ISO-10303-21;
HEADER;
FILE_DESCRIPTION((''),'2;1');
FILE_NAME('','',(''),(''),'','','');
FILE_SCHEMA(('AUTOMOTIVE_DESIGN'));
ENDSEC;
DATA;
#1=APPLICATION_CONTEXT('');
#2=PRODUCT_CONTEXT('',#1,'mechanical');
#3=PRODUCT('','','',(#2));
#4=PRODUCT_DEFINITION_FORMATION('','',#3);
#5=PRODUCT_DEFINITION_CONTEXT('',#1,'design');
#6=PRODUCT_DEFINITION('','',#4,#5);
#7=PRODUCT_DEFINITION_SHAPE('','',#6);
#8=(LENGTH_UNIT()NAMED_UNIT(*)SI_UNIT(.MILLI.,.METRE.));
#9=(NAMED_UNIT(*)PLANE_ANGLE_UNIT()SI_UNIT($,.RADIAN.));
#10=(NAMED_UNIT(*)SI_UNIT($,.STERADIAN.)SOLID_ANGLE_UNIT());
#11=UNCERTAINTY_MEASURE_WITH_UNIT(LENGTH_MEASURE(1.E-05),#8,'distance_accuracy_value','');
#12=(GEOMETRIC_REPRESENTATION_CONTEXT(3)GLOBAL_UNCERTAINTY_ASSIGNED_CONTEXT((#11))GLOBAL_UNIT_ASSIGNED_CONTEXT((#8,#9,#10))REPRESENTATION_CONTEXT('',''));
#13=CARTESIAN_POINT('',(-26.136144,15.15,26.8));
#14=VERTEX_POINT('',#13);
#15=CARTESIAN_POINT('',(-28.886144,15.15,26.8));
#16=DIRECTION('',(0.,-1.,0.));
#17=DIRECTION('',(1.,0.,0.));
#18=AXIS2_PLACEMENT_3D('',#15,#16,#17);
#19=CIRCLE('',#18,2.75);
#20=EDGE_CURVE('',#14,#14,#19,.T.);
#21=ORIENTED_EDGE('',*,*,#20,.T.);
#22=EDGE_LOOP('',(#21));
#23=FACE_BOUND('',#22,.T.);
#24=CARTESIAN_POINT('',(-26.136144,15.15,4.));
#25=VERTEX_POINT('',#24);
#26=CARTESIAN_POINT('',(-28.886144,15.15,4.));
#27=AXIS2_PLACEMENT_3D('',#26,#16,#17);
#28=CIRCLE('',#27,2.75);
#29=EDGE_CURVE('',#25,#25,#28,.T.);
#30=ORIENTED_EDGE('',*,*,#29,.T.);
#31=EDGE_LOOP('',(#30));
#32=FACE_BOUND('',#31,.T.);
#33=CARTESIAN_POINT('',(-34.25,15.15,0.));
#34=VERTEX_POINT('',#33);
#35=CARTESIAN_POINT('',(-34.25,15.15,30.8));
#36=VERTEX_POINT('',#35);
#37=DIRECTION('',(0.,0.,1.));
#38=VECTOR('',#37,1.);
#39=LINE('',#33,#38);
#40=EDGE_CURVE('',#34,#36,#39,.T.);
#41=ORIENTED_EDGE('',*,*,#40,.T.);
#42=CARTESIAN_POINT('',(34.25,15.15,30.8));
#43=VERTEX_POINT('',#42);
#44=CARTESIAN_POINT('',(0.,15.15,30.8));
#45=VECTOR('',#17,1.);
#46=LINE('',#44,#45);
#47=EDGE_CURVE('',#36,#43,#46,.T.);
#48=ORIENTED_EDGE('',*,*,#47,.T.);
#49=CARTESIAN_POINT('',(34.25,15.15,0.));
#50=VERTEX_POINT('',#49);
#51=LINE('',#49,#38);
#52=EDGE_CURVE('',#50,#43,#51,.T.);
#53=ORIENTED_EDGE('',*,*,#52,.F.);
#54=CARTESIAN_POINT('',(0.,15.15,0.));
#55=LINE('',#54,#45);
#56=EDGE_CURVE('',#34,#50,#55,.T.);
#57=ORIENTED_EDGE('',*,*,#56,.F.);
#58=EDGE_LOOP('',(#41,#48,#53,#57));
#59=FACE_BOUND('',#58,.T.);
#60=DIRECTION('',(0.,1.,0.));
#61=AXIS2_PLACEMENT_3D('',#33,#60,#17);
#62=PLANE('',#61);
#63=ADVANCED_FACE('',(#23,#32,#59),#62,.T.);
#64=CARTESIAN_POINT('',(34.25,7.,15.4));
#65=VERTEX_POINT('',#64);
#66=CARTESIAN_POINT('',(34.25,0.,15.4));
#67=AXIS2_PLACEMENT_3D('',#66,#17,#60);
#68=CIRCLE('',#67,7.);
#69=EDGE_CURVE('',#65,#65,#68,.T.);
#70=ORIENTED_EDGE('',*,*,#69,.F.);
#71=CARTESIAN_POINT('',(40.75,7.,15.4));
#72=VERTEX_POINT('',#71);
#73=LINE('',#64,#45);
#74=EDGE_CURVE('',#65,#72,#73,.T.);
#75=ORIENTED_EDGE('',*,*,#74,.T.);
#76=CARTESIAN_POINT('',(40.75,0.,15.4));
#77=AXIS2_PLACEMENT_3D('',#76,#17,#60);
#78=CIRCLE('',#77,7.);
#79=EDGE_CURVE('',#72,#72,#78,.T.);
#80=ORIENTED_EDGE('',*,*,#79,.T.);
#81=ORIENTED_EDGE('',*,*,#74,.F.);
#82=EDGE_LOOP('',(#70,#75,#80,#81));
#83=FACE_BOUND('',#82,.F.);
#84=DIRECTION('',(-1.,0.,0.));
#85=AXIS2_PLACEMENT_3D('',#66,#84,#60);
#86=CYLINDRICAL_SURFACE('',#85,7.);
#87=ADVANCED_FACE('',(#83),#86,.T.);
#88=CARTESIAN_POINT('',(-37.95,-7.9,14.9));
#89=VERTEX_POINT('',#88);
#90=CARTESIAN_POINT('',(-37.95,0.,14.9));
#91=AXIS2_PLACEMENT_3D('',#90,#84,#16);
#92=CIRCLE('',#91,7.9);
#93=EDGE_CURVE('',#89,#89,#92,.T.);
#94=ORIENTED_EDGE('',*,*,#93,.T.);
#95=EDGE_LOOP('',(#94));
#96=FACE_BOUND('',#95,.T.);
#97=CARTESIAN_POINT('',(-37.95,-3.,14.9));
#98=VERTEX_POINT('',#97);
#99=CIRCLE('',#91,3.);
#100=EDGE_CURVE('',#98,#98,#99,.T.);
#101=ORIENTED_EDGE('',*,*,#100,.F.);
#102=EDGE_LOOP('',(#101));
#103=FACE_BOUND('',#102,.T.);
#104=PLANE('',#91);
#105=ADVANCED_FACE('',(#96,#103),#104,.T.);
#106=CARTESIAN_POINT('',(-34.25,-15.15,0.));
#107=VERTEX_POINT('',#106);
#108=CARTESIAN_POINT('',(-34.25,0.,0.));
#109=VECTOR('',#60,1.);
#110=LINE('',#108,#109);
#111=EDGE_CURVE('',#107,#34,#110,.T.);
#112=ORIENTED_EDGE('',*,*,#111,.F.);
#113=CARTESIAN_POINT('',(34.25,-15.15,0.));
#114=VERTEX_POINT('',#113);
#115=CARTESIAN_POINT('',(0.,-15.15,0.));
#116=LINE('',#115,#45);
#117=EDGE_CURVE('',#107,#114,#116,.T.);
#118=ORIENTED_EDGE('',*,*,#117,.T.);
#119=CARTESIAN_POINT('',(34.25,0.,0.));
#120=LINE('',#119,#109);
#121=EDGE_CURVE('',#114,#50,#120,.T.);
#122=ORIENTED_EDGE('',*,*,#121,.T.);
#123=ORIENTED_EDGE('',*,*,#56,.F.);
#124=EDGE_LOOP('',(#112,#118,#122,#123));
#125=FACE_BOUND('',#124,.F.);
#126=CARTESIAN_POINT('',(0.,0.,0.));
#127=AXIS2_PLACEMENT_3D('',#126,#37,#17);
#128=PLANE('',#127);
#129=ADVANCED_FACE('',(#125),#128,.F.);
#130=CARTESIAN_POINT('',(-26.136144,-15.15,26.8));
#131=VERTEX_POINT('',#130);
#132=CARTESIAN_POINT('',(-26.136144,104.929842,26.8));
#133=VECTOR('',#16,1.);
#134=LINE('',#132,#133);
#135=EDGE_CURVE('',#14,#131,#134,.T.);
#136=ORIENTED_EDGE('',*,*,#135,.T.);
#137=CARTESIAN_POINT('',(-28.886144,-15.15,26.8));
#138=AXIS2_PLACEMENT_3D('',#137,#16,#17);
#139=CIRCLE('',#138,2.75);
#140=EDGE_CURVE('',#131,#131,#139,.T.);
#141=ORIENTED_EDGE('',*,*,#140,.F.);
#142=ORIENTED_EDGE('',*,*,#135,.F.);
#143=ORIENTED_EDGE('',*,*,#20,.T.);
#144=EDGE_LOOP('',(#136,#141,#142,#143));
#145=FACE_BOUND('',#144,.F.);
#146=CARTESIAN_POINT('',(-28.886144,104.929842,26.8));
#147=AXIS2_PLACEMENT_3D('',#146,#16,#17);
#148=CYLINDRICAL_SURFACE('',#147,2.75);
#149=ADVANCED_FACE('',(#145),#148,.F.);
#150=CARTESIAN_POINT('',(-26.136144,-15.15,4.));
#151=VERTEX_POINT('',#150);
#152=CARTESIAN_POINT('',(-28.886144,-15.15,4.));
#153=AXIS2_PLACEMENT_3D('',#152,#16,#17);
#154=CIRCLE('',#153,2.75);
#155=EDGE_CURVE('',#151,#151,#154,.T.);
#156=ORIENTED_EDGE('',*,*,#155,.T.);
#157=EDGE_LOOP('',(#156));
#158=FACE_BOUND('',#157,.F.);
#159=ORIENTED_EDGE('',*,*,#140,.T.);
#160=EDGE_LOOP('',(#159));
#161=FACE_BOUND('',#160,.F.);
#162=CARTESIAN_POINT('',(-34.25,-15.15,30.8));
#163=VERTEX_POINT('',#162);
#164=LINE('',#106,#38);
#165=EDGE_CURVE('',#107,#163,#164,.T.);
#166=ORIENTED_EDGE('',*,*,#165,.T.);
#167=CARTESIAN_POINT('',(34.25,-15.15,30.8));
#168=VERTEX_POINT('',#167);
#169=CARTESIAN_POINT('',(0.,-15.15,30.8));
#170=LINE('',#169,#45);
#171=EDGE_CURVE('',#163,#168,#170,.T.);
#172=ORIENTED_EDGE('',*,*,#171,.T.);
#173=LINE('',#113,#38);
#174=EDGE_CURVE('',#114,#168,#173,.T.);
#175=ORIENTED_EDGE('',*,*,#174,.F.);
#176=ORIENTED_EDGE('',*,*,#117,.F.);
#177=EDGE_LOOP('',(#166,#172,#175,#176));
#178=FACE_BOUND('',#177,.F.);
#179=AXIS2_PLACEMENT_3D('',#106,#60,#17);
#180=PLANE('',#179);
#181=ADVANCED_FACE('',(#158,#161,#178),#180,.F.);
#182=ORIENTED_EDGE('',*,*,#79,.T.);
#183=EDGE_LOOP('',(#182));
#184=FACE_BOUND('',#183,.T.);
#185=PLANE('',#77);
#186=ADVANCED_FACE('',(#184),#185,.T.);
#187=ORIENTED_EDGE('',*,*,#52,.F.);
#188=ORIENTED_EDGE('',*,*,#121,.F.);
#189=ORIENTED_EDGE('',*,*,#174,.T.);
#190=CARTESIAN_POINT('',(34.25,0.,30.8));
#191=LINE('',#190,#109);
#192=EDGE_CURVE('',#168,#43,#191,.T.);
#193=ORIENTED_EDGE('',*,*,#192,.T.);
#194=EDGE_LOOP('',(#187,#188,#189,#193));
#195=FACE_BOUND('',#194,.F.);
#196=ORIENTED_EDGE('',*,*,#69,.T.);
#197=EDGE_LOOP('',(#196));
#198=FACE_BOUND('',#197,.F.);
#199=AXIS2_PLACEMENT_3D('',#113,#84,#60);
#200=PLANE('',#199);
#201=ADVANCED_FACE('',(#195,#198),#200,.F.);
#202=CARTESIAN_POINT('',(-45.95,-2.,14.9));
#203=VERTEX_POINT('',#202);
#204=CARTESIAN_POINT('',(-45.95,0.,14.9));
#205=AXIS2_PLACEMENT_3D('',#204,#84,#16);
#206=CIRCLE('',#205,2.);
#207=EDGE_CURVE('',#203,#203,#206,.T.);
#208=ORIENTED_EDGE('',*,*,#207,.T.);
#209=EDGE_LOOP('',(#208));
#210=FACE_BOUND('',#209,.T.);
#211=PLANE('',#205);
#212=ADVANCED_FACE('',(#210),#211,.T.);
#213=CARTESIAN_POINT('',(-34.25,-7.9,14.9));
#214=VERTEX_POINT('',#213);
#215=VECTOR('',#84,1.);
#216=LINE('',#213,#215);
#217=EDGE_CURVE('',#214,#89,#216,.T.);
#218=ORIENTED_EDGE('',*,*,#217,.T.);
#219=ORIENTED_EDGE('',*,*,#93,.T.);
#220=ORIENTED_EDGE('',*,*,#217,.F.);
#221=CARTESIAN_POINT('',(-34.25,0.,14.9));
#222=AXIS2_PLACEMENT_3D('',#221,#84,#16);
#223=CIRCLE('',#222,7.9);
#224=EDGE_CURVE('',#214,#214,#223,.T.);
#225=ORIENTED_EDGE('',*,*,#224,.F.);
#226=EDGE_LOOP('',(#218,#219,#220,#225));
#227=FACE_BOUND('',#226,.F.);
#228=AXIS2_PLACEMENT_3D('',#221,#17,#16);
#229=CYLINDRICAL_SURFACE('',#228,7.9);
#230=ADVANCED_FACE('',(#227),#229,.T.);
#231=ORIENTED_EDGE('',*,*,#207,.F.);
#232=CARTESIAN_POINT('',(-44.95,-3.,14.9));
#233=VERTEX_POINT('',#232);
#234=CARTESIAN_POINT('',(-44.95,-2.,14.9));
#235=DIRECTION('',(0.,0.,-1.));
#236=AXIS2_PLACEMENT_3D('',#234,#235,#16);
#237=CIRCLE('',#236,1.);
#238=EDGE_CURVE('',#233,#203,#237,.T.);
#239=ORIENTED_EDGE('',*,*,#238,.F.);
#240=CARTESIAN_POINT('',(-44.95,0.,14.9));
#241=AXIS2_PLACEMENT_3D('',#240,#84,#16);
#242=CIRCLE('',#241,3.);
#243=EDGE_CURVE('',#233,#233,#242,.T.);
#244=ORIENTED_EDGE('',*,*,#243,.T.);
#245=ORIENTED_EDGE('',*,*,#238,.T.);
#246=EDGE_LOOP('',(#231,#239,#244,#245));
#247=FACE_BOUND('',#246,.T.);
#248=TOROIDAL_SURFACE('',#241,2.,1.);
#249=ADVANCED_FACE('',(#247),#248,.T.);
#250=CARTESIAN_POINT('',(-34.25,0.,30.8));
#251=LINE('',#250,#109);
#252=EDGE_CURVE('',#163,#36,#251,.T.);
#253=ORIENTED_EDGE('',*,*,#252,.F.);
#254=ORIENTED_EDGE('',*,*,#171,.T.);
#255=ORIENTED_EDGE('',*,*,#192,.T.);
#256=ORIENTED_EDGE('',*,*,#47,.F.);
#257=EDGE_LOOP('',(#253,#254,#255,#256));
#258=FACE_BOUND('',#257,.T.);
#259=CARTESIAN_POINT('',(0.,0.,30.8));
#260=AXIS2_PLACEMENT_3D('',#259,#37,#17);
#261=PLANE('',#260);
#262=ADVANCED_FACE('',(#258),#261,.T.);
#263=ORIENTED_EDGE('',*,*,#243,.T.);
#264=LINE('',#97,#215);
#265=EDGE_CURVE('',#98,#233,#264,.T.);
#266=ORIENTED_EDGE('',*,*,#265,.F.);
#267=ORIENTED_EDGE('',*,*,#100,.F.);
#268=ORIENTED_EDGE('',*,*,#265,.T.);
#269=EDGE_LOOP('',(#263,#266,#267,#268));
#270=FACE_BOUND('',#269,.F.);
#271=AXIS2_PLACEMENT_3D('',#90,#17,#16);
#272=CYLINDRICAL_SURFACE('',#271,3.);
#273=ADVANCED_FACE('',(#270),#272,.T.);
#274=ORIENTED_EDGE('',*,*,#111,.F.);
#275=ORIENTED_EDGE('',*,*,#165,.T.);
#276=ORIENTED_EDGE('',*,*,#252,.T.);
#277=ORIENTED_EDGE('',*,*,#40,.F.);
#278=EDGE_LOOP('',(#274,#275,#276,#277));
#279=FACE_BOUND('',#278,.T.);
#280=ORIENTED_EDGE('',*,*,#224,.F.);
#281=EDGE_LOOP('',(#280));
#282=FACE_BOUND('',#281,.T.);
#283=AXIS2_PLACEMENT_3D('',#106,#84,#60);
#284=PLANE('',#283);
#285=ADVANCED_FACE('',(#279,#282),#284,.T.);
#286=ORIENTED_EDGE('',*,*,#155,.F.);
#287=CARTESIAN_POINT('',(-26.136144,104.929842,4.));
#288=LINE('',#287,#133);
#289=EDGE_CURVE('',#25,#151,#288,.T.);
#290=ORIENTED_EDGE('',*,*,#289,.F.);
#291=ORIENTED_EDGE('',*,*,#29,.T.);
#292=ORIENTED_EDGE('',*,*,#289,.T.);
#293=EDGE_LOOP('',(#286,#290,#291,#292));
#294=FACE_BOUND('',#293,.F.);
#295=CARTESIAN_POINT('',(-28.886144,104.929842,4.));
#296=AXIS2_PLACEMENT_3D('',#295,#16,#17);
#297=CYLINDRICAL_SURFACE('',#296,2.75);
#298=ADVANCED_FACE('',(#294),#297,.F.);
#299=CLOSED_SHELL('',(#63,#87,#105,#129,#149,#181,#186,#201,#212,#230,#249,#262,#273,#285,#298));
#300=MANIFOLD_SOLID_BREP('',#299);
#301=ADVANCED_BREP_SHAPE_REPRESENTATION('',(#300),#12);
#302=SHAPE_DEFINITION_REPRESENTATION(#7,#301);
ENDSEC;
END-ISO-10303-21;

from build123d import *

# Parameters (mm, degrees)
F0_W     = 68.5
F0_H     = 30.3
F1_DEPTH = 30.8
F2_R     = 7.9
F3_DEPTH = 3.7
F4_R     = 7
F5_DEPTH = 6.5
F7_D     = 5.5
F8_R     = 3
F9_DEPTH = 8
F10_R    = 1


with BuildPart() as f1:
    # F0 (on Top) → F1 (new body)
    with BuildSketch(Plane.XY):
        Rectangle(F0_W, F0_H)
    extrude(amount=F1_DEPTH)

    # F2 (on face) → F3 (join)
    with BuildSketch(Plane(origin=(-34.25, 0, 0), x_dir=(0, -1, 0), z_dir=(-1, 0, 0))):
        with Locations((0, 14.9)):
            Circle(F2_R)
    extrude(amount=F3_DEPTH)

    # F4 (on face) → F5 (join)
    with BuildSketch(Plane.YZ.offset(34.25)):
        with Locations((0, 15.4)):
            Circle(F4_R)
    extrude(amount=F5_DEPTH)

    # F7 (through all)
    with Locations(Plane(origin=(0, 15.15, 0), x_dir=(-1, 0, 0), z_dir=(0, 1, 0))):
        with Locations((28.8861435714, 26.8), (28.8861435714, 4)):
            Hole(F7_D / 2)

    # F8 (on face) → F9 (join)
    with BuildSketch(Plane(origin=(-37.95, 0, 0), x_dir=(0, -1, 0), z_dir=(-1, 0, 0))):
        with Locations((0, 14.9)):
            Circle(F8_R)
    extrude(amount=F9_DEPTH)

    # F10
    f10_edges = [f1.edges().sort_by_distance(p)[0] for p in [
        (-45.95, 3, 14.9),
    ]]
    fillet(f10_edges, radius=F10_R)


solid = f1.part
